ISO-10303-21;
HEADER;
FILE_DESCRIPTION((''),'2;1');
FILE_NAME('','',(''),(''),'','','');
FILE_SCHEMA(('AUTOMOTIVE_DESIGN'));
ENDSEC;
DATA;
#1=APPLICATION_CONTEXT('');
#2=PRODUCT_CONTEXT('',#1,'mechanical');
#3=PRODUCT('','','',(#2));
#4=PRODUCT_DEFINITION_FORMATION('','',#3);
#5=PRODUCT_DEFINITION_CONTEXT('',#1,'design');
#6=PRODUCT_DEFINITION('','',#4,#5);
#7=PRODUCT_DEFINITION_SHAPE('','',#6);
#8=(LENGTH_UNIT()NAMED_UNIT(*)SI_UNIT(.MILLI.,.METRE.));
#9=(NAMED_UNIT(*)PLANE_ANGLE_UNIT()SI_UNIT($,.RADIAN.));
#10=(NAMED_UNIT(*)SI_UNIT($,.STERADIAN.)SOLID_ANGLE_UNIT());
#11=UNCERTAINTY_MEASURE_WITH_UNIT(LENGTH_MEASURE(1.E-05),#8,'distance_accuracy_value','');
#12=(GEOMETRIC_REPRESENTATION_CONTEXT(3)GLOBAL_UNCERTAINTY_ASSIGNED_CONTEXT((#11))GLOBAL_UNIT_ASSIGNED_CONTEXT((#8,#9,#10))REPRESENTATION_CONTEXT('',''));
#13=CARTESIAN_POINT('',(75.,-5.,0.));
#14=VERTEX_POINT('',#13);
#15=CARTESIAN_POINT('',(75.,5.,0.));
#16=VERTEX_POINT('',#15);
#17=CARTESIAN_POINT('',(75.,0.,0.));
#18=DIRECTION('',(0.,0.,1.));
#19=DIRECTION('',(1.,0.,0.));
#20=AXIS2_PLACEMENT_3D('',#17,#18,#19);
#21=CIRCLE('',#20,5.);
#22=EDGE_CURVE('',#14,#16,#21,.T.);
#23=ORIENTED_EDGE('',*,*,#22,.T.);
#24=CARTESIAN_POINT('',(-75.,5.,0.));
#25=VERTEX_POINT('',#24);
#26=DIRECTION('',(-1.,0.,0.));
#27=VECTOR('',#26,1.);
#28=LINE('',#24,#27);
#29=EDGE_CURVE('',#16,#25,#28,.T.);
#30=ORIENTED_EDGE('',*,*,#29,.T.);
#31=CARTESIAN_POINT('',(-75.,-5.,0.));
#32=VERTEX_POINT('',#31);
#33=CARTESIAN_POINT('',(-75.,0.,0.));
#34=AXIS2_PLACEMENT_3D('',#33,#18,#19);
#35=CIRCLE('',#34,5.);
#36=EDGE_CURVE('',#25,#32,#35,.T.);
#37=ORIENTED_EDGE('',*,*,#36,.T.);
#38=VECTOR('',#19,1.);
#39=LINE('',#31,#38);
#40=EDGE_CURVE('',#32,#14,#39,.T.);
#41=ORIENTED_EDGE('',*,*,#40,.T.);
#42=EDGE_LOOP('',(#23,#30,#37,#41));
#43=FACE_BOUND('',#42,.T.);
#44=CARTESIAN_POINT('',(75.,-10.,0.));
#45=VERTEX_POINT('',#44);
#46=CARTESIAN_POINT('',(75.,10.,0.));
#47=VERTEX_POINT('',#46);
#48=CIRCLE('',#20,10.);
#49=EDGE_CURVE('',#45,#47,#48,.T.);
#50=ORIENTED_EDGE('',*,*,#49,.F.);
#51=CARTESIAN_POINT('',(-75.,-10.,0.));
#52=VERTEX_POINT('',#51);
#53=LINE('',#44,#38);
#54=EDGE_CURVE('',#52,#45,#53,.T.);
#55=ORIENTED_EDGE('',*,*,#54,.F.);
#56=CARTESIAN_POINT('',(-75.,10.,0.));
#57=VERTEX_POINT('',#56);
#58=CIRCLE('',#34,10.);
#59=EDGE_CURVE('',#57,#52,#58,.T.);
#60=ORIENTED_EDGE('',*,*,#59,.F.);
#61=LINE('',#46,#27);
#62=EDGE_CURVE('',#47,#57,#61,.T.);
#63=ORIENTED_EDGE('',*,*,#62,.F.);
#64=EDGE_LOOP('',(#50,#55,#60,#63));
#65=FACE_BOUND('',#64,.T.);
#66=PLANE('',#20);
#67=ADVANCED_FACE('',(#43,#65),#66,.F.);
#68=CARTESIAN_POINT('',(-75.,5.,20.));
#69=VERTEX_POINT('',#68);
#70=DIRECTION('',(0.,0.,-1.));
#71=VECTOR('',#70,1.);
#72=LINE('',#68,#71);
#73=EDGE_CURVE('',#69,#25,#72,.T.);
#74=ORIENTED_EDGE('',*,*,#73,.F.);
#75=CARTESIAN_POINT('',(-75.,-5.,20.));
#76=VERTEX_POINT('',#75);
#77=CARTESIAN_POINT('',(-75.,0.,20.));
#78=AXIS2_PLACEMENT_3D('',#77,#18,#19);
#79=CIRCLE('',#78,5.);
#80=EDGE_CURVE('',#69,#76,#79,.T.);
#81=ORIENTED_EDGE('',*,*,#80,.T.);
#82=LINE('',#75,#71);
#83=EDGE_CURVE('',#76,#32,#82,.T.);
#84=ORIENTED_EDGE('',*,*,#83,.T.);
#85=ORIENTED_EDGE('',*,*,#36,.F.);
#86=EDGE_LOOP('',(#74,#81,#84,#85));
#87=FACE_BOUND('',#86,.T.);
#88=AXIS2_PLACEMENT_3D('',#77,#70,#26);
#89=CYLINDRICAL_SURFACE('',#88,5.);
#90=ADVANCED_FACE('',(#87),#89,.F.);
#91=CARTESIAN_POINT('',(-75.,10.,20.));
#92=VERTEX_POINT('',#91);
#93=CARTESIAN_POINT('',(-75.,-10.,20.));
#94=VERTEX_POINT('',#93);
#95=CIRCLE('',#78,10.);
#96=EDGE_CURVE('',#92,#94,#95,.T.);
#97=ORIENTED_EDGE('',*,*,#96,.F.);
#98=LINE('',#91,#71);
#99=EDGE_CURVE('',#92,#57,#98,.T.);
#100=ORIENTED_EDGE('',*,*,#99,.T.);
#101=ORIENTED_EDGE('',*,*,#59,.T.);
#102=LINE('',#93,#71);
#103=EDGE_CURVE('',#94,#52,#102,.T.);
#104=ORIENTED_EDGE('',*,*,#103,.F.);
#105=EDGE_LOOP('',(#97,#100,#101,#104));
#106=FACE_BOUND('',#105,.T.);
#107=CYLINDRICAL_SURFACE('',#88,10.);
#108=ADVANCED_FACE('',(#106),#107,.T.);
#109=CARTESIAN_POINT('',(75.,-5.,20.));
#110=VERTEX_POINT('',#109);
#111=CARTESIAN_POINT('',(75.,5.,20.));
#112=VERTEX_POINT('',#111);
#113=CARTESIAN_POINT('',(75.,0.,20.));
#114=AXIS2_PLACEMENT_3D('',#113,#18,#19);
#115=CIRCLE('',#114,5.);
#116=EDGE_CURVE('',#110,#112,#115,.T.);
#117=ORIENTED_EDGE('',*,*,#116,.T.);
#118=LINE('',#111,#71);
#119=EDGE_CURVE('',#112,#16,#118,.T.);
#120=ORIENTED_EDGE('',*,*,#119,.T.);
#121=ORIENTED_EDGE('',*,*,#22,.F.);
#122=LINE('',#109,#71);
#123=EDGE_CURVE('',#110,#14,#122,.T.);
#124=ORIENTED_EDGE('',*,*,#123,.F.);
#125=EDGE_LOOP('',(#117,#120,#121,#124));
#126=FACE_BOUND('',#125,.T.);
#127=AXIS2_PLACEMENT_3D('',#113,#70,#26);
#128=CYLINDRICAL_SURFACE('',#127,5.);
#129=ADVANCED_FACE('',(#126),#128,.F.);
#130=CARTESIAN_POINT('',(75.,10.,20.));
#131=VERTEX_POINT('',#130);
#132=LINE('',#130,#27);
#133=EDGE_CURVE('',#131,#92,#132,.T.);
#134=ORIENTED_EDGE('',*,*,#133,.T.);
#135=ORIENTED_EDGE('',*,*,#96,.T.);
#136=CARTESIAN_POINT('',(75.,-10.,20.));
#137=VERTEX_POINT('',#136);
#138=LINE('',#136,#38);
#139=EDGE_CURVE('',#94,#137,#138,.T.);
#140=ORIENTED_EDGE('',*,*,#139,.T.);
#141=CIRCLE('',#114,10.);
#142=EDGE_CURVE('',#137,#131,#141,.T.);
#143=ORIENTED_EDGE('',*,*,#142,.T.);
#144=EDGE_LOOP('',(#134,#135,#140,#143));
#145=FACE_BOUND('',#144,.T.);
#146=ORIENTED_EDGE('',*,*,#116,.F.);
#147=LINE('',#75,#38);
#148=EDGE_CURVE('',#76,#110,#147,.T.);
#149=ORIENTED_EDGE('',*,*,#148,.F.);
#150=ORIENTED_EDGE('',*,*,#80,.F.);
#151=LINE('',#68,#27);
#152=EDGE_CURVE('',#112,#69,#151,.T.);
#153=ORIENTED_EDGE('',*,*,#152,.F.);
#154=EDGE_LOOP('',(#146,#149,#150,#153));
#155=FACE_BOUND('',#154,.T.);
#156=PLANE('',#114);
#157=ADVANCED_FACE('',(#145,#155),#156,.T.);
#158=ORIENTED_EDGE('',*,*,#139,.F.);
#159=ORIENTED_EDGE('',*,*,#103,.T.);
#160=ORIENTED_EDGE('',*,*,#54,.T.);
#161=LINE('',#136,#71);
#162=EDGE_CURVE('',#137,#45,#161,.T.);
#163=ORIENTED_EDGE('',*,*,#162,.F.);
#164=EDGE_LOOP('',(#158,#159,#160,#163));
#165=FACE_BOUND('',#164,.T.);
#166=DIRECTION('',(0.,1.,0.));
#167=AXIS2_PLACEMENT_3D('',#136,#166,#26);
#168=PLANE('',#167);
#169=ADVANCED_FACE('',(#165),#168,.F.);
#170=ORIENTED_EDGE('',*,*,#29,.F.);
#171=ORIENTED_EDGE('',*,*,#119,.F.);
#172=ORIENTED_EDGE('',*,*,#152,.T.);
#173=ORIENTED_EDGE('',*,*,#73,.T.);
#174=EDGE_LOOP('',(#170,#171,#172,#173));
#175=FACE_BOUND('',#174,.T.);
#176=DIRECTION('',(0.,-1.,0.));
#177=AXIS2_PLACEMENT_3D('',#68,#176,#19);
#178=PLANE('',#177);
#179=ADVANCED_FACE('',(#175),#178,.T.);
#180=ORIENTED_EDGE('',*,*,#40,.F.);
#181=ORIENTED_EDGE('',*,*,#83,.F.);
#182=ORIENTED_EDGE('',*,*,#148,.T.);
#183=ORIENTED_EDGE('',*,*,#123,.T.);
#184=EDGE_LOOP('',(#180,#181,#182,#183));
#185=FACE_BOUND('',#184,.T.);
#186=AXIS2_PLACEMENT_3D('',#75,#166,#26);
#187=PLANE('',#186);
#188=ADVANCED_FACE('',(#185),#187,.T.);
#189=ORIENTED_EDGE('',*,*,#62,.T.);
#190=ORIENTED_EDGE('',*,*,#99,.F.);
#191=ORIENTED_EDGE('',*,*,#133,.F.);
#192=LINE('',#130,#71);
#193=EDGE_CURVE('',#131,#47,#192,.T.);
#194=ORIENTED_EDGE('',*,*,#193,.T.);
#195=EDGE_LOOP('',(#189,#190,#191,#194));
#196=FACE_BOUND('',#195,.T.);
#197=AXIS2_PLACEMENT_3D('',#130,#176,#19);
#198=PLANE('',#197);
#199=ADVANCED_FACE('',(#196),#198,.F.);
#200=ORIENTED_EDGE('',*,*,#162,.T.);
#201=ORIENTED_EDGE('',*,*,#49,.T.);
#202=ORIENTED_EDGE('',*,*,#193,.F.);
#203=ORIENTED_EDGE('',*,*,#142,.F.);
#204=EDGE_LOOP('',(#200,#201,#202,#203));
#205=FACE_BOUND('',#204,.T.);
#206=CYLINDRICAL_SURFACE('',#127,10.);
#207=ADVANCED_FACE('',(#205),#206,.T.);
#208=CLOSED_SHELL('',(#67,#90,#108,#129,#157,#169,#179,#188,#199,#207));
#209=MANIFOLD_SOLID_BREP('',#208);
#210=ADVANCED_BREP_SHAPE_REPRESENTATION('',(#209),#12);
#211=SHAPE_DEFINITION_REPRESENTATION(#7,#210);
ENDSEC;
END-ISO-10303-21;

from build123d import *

# Parameters (mm, degrees)
SALIENTE_EXTRUIR1_DEPTH = 20


with BuildPart() as part:
    # Croquis1 → Saliente-Extruir1 (new body)
    with BuildSketch(Plane.XY):
        with BuildLine():
            Line((75, -10), (-75, -10))
            ThreePointArc((-75, -10), (-85, 0), (-75, 10))
            Line((-75, 10), (75, 10))
            ThreePointArc((75, 10), (85, 0), (75, -10))
        make_face()
        with BuildLine():
            Line((-75, 5), (75, 5))
            ThreePointArc((75, 5), (80, 0), (75, -5))
            Line((75, -5), (-75, -5))
            ThreePointArc((-75, -5), (-80, 0), (-75, 5))
        make_face(mode=Mode.SUBTRACT)
    extrude(amount=SALIENTE_EXTRUIR1_DEPTH)


solid = part.part
